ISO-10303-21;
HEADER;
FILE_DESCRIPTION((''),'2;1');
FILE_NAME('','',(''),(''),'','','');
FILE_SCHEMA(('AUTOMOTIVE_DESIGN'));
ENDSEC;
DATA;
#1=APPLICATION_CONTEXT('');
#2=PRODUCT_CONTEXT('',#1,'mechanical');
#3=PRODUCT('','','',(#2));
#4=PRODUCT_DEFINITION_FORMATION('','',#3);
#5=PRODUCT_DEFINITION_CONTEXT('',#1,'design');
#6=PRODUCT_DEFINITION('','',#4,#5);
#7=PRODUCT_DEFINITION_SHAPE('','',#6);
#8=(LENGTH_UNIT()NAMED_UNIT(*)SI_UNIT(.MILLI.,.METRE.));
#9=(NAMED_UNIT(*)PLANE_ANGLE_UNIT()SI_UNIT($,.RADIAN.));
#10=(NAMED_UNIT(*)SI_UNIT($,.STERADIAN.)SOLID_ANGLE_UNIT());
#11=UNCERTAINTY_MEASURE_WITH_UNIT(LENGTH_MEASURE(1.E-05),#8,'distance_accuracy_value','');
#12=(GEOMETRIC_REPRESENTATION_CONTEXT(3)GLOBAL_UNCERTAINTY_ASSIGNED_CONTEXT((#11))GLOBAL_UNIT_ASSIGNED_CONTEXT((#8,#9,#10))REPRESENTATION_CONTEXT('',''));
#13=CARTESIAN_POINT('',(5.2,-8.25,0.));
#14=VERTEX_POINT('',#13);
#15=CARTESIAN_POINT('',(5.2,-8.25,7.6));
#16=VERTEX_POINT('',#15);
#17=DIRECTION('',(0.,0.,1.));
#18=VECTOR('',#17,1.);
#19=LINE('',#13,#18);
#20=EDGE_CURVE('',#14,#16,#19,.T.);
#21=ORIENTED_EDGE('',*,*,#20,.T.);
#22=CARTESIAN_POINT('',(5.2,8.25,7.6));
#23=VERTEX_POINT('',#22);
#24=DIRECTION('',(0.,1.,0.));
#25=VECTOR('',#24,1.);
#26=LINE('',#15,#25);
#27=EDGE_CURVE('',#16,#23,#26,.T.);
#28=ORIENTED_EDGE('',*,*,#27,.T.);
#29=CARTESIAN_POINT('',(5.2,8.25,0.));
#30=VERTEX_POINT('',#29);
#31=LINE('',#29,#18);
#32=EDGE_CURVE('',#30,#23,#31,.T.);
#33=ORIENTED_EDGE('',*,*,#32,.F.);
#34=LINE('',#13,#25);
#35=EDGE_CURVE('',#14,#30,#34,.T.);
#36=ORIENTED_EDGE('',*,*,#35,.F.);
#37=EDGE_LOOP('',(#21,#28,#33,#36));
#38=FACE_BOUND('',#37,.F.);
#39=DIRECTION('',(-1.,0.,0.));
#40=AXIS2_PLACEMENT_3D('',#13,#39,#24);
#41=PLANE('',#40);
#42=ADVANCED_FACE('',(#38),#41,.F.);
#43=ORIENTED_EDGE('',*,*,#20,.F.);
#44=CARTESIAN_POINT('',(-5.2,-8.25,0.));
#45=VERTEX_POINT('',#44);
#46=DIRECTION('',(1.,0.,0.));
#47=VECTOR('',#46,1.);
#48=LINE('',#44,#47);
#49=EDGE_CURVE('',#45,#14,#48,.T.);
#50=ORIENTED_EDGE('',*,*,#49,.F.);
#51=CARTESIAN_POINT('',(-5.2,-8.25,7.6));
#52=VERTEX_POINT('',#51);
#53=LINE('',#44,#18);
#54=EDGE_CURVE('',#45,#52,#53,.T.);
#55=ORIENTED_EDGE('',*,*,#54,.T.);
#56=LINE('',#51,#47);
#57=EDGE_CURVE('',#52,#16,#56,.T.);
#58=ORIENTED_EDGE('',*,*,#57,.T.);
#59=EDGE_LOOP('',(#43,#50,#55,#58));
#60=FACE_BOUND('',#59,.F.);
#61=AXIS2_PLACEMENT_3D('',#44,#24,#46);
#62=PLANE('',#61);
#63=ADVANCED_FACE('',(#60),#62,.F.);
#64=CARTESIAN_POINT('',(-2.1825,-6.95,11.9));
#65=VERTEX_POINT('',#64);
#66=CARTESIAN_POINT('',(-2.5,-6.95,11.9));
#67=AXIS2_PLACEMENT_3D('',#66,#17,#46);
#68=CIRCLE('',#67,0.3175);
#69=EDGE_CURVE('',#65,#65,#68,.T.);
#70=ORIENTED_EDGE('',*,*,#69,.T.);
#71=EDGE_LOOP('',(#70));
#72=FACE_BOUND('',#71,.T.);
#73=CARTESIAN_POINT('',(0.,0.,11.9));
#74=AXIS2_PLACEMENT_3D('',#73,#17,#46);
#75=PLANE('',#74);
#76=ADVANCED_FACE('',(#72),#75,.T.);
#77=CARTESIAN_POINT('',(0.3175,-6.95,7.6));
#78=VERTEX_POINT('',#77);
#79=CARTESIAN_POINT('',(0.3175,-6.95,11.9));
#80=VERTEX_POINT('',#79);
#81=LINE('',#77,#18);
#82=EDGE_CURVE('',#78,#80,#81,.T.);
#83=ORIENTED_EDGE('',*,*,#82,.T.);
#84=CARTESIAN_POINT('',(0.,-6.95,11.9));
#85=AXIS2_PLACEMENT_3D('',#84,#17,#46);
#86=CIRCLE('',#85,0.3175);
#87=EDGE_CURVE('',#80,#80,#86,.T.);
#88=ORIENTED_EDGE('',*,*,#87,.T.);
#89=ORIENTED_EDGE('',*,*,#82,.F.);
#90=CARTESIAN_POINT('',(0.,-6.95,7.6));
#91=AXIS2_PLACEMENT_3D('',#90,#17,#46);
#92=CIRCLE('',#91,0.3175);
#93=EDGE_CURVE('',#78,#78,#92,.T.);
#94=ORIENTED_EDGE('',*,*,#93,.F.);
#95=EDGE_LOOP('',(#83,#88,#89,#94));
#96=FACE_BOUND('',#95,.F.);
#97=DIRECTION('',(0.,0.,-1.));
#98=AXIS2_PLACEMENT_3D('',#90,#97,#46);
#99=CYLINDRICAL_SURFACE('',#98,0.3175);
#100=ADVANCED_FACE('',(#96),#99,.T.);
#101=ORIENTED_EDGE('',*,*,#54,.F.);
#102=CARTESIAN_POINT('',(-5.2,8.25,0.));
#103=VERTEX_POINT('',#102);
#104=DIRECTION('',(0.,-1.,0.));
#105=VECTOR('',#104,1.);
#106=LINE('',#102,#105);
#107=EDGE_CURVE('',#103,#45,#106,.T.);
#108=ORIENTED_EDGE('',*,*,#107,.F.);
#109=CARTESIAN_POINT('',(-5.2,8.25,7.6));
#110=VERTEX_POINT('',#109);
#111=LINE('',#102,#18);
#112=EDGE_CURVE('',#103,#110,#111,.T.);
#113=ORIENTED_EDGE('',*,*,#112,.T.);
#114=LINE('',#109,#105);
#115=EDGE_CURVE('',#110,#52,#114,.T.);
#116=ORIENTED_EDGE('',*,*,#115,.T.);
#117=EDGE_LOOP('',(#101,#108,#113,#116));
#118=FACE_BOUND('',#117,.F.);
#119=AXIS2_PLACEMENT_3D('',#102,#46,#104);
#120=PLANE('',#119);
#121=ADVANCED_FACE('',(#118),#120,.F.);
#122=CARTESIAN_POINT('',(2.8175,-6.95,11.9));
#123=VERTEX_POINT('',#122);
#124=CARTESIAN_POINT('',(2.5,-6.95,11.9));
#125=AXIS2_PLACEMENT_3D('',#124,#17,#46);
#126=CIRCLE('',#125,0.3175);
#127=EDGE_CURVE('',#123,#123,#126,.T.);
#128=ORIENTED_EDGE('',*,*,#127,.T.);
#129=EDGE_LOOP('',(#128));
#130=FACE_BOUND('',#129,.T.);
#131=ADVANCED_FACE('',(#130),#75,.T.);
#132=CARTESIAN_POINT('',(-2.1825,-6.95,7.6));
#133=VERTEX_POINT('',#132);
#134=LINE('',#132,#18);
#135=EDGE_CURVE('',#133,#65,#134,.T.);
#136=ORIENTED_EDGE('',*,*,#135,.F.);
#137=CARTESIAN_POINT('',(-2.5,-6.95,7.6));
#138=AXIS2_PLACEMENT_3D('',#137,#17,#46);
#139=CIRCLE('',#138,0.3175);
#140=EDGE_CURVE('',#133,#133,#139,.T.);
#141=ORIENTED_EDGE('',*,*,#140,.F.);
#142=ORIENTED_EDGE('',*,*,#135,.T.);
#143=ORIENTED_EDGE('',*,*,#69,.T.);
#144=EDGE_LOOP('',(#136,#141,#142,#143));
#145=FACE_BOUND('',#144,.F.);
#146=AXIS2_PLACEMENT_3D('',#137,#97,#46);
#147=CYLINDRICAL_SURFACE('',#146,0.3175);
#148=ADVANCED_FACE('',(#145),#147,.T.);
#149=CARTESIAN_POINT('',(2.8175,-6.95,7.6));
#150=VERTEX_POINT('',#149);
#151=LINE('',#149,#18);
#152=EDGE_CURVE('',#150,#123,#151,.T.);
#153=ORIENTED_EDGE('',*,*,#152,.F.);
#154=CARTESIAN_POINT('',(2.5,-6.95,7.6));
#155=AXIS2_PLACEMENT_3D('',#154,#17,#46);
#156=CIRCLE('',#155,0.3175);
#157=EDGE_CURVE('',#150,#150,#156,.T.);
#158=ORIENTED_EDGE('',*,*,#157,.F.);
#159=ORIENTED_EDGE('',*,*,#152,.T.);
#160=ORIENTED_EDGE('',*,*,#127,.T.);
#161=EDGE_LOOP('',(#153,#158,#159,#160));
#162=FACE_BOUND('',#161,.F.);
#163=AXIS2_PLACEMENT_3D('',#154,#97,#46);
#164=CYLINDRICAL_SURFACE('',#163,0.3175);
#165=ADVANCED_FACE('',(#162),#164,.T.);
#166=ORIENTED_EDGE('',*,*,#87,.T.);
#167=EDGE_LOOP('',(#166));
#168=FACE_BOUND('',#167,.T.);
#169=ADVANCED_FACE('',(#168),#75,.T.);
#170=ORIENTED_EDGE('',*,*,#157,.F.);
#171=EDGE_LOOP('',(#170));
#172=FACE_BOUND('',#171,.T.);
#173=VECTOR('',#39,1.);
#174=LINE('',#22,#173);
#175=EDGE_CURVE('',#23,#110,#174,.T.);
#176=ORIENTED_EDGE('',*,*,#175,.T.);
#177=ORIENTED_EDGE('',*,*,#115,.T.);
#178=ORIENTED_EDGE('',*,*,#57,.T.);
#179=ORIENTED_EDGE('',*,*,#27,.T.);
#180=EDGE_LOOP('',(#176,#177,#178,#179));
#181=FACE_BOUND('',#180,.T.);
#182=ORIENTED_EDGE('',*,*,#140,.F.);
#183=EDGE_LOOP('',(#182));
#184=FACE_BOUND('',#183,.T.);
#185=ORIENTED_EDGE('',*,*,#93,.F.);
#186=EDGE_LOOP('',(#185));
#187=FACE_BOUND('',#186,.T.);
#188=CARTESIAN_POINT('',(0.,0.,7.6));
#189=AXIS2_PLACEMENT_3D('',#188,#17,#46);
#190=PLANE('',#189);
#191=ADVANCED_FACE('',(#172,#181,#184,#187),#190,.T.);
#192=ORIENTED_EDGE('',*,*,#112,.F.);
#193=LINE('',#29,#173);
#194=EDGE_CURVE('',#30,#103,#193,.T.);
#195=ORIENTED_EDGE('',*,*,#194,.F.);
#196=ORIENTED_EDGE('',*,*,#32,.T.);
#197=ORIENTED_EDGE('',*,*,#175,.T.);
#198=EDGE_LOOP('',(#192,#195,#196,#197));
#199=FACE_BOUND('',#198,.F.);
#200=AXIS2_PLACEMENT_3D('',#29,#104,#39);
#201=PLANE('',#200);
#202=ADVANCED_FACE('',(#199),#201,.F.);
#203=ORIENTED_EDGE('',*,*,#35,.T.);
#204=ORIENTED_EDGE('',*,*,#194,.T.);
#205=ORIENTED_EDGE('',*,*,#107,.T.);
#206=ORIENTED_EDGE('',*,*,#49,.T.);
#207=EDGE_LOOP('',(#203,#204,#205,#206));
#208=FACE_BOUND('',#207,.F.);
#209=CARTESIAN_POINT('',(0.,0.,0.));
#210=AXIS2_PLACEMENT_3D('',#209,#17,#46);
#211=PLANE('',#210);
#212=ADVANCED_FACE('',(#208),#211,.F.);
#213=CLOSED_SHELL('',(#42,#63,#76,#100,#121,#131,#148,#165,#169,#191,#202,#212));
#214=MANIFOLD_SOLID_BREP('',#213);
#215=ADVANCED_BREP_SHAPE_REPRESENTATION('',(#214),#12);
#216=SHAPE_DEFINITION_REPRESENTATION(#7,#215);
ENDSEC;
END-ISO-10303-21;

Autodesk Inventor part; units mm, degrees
ref_plane "YZ Plane" through (0, 0, 0) normal (1, 0, 0) x (0, 1, 0)
ref_plane "XZ Plane" through (0, 0, 0) normal (0, 1, 0) x (-1, 0, 0)
ref_plane "XY Plane" through (0, 0, 0) normal (0, 0, 1) x (1, 0, 0)
sketch "スケッチ1" plane through (0, 0, 0) normal (0, 0, 1) x (1, 0, 0)
  line L0 (-5.2, -8.25) -> (5.2, -8.25)
  line L1 (5.2, -8.25) -> (5.2, 8.25)
  line L2 (5.2, 8.25) -> (-5.2, 8.25)
  line L3 (-5.2, 8.25) -> (-5.2, -8.25)
  line L4 (-5.2, -8.25) -> (5.2, 8.25) construction
  line L5 (5.2, -8.25) -> (-5.2, 8.25) construction
  point P0 (0, 0)
  dimension "d0" = 10.4
  dimension "d1" = 16.5
extrude "押し出し1" add sketch "スケッチ1" along normal blind 7.6
sketch "スケッチ2" plane through (0, 0, 7.6) normal (0, 0, 1) x (1, 0, 0)
  circle A0 centre (0, -6.95) radius 0.3175
  circle A1 centre (2.5, -6.95) radius 0.3175
  circle A2 centre (-2.5, -6.95) radius 0.3175
  line L0 (-5.2, -8.25) -> (5.2, -8.25) projected
  point P0 (0, 0)
  dimension "d4" = 1.3
  dimension "d5" = 0.635
  dimension "d6" = 2.5
  dimension "d7" = 2.5
extrude "押し出し2" add sketch "スケッチ2" along normal blind 4.3
properties part number "Circuit_OKI-78SR"
